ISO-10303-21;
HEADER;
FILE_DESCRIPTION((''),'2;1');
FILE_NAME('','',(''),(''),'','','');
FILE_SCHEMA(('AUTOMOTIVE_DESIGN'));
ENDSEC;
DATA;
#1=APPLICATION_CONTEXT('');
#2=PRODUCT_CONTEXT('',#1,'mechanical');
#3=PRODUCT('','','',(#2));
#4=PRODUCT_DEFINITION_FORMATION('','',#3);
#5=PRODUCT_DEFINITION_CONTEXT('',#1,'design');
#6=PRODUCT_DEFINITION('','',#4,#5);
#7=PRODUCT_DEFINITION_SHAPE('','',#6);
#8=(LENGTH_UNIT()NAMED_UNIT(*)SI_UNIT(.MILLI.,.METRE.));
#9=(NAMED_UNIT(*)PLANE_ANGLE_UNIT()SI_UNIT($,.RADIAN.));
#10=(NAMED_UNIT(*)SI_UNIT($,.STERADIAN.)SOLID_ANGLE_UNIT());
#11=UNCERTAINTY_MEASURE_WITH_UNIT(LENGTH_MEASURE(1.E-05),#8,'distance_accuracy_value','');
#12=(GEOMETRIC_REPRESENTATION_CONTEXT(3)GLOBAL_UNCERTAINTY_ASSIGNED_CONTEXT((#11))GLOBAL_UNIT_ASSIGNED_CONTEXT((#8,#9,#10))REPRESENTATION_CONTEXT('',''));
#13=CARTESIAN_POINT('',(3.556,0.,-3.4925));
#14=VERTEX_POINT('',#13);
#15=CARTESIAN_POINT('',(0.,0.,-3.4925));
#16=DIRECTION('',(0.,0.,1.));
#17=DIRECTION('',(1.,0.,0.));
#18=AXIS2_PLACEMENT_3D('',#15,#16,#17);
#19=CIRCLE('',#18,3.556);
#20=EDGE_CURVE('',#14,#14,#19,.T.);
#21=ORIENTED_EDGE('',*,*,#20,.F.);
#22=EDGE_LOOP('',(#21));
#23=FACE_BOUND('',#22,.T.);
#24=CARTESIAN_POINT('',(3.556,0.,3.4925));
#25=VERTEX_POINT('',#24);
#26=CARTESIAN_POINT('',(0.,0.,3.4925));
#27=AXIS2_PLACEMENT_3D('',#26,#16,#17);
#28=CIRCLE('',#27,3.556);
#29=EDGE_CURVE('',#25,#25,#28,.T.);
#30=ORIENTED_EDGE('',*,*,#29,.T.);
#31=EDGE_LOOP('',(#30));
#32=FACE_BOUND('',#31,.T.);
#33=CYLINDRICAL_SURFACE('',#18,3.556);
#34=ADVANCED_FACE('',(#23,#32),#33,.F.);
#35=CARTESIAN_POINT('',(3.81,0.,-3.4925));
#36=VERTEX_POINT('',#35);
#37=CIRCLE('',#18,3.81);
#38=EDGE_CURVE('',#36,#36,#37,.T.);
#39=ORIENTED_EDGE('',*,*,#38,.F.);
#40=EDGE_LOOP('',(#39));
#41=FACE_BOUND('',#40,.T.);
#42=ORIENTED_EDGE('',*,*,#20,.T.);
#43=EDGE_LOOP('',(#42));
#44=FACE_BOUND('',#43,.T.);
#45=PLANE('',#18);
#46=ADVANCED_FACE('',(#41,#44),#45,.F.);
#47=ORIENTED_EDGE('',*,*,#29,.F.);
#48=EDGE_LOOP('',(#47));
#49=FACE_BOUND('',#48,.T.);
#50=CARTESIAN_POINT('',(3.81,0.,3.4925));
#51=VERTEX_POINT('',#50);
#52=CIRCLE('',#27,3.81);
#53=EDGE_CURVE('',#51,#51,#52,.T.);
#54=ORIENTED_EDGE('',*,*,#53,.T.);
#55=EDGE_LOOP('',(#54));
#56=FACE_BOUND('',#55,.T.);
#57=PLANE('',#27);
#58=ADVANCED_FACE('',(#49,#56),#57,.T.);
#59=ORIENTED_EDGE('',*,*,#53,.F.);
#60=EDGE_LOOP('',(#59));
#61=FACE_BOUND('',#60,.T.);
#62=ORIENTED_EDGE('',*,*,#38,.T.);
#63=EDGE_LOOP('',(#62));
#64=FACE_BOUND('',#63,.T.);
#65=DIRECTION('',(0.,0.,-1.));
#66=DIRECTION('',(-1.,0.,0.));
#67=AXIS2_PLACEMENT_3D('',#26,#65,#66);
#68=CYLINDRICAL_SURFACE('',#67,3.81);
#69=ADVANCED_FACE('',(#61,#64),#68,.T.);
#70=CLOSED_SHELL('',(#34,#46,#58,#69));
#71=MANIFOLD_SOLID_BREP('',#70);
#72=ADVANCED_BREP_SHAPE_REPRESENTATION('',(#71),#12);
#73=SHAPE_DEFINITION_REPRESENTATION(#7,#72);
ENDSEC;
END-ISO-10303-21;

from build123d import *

# Parameters (mm, degrees)
SKETCH1_R           = 3.81
BOSS_EXTRUDE1_DEPTH = 3.4925
SKETCH2_R           = 3.556
CUT_EXTRUDE1_DEPTH  = 9.821701933


with BuildPart() as part:
    # Sketch1 → Boss-Extrude1 (new, symmetric)
    with BuildSketch(Plane.XY):
        Circle(SKETCH1_R)
    extrude(amount=BOSS_EXTRUDE1_DEPTH, both=True)

    # Sketch2 → Cut-Extrude1 (cut, through all)
    with BuildSketch(Plane.XY.offset(3.4925)):
        Circle(SKETCH2_R)
    extrude(amount=-CUT_EXTRUDE1_DEPTH, mode=Mode.SUBTRACT)


solid = part.part
